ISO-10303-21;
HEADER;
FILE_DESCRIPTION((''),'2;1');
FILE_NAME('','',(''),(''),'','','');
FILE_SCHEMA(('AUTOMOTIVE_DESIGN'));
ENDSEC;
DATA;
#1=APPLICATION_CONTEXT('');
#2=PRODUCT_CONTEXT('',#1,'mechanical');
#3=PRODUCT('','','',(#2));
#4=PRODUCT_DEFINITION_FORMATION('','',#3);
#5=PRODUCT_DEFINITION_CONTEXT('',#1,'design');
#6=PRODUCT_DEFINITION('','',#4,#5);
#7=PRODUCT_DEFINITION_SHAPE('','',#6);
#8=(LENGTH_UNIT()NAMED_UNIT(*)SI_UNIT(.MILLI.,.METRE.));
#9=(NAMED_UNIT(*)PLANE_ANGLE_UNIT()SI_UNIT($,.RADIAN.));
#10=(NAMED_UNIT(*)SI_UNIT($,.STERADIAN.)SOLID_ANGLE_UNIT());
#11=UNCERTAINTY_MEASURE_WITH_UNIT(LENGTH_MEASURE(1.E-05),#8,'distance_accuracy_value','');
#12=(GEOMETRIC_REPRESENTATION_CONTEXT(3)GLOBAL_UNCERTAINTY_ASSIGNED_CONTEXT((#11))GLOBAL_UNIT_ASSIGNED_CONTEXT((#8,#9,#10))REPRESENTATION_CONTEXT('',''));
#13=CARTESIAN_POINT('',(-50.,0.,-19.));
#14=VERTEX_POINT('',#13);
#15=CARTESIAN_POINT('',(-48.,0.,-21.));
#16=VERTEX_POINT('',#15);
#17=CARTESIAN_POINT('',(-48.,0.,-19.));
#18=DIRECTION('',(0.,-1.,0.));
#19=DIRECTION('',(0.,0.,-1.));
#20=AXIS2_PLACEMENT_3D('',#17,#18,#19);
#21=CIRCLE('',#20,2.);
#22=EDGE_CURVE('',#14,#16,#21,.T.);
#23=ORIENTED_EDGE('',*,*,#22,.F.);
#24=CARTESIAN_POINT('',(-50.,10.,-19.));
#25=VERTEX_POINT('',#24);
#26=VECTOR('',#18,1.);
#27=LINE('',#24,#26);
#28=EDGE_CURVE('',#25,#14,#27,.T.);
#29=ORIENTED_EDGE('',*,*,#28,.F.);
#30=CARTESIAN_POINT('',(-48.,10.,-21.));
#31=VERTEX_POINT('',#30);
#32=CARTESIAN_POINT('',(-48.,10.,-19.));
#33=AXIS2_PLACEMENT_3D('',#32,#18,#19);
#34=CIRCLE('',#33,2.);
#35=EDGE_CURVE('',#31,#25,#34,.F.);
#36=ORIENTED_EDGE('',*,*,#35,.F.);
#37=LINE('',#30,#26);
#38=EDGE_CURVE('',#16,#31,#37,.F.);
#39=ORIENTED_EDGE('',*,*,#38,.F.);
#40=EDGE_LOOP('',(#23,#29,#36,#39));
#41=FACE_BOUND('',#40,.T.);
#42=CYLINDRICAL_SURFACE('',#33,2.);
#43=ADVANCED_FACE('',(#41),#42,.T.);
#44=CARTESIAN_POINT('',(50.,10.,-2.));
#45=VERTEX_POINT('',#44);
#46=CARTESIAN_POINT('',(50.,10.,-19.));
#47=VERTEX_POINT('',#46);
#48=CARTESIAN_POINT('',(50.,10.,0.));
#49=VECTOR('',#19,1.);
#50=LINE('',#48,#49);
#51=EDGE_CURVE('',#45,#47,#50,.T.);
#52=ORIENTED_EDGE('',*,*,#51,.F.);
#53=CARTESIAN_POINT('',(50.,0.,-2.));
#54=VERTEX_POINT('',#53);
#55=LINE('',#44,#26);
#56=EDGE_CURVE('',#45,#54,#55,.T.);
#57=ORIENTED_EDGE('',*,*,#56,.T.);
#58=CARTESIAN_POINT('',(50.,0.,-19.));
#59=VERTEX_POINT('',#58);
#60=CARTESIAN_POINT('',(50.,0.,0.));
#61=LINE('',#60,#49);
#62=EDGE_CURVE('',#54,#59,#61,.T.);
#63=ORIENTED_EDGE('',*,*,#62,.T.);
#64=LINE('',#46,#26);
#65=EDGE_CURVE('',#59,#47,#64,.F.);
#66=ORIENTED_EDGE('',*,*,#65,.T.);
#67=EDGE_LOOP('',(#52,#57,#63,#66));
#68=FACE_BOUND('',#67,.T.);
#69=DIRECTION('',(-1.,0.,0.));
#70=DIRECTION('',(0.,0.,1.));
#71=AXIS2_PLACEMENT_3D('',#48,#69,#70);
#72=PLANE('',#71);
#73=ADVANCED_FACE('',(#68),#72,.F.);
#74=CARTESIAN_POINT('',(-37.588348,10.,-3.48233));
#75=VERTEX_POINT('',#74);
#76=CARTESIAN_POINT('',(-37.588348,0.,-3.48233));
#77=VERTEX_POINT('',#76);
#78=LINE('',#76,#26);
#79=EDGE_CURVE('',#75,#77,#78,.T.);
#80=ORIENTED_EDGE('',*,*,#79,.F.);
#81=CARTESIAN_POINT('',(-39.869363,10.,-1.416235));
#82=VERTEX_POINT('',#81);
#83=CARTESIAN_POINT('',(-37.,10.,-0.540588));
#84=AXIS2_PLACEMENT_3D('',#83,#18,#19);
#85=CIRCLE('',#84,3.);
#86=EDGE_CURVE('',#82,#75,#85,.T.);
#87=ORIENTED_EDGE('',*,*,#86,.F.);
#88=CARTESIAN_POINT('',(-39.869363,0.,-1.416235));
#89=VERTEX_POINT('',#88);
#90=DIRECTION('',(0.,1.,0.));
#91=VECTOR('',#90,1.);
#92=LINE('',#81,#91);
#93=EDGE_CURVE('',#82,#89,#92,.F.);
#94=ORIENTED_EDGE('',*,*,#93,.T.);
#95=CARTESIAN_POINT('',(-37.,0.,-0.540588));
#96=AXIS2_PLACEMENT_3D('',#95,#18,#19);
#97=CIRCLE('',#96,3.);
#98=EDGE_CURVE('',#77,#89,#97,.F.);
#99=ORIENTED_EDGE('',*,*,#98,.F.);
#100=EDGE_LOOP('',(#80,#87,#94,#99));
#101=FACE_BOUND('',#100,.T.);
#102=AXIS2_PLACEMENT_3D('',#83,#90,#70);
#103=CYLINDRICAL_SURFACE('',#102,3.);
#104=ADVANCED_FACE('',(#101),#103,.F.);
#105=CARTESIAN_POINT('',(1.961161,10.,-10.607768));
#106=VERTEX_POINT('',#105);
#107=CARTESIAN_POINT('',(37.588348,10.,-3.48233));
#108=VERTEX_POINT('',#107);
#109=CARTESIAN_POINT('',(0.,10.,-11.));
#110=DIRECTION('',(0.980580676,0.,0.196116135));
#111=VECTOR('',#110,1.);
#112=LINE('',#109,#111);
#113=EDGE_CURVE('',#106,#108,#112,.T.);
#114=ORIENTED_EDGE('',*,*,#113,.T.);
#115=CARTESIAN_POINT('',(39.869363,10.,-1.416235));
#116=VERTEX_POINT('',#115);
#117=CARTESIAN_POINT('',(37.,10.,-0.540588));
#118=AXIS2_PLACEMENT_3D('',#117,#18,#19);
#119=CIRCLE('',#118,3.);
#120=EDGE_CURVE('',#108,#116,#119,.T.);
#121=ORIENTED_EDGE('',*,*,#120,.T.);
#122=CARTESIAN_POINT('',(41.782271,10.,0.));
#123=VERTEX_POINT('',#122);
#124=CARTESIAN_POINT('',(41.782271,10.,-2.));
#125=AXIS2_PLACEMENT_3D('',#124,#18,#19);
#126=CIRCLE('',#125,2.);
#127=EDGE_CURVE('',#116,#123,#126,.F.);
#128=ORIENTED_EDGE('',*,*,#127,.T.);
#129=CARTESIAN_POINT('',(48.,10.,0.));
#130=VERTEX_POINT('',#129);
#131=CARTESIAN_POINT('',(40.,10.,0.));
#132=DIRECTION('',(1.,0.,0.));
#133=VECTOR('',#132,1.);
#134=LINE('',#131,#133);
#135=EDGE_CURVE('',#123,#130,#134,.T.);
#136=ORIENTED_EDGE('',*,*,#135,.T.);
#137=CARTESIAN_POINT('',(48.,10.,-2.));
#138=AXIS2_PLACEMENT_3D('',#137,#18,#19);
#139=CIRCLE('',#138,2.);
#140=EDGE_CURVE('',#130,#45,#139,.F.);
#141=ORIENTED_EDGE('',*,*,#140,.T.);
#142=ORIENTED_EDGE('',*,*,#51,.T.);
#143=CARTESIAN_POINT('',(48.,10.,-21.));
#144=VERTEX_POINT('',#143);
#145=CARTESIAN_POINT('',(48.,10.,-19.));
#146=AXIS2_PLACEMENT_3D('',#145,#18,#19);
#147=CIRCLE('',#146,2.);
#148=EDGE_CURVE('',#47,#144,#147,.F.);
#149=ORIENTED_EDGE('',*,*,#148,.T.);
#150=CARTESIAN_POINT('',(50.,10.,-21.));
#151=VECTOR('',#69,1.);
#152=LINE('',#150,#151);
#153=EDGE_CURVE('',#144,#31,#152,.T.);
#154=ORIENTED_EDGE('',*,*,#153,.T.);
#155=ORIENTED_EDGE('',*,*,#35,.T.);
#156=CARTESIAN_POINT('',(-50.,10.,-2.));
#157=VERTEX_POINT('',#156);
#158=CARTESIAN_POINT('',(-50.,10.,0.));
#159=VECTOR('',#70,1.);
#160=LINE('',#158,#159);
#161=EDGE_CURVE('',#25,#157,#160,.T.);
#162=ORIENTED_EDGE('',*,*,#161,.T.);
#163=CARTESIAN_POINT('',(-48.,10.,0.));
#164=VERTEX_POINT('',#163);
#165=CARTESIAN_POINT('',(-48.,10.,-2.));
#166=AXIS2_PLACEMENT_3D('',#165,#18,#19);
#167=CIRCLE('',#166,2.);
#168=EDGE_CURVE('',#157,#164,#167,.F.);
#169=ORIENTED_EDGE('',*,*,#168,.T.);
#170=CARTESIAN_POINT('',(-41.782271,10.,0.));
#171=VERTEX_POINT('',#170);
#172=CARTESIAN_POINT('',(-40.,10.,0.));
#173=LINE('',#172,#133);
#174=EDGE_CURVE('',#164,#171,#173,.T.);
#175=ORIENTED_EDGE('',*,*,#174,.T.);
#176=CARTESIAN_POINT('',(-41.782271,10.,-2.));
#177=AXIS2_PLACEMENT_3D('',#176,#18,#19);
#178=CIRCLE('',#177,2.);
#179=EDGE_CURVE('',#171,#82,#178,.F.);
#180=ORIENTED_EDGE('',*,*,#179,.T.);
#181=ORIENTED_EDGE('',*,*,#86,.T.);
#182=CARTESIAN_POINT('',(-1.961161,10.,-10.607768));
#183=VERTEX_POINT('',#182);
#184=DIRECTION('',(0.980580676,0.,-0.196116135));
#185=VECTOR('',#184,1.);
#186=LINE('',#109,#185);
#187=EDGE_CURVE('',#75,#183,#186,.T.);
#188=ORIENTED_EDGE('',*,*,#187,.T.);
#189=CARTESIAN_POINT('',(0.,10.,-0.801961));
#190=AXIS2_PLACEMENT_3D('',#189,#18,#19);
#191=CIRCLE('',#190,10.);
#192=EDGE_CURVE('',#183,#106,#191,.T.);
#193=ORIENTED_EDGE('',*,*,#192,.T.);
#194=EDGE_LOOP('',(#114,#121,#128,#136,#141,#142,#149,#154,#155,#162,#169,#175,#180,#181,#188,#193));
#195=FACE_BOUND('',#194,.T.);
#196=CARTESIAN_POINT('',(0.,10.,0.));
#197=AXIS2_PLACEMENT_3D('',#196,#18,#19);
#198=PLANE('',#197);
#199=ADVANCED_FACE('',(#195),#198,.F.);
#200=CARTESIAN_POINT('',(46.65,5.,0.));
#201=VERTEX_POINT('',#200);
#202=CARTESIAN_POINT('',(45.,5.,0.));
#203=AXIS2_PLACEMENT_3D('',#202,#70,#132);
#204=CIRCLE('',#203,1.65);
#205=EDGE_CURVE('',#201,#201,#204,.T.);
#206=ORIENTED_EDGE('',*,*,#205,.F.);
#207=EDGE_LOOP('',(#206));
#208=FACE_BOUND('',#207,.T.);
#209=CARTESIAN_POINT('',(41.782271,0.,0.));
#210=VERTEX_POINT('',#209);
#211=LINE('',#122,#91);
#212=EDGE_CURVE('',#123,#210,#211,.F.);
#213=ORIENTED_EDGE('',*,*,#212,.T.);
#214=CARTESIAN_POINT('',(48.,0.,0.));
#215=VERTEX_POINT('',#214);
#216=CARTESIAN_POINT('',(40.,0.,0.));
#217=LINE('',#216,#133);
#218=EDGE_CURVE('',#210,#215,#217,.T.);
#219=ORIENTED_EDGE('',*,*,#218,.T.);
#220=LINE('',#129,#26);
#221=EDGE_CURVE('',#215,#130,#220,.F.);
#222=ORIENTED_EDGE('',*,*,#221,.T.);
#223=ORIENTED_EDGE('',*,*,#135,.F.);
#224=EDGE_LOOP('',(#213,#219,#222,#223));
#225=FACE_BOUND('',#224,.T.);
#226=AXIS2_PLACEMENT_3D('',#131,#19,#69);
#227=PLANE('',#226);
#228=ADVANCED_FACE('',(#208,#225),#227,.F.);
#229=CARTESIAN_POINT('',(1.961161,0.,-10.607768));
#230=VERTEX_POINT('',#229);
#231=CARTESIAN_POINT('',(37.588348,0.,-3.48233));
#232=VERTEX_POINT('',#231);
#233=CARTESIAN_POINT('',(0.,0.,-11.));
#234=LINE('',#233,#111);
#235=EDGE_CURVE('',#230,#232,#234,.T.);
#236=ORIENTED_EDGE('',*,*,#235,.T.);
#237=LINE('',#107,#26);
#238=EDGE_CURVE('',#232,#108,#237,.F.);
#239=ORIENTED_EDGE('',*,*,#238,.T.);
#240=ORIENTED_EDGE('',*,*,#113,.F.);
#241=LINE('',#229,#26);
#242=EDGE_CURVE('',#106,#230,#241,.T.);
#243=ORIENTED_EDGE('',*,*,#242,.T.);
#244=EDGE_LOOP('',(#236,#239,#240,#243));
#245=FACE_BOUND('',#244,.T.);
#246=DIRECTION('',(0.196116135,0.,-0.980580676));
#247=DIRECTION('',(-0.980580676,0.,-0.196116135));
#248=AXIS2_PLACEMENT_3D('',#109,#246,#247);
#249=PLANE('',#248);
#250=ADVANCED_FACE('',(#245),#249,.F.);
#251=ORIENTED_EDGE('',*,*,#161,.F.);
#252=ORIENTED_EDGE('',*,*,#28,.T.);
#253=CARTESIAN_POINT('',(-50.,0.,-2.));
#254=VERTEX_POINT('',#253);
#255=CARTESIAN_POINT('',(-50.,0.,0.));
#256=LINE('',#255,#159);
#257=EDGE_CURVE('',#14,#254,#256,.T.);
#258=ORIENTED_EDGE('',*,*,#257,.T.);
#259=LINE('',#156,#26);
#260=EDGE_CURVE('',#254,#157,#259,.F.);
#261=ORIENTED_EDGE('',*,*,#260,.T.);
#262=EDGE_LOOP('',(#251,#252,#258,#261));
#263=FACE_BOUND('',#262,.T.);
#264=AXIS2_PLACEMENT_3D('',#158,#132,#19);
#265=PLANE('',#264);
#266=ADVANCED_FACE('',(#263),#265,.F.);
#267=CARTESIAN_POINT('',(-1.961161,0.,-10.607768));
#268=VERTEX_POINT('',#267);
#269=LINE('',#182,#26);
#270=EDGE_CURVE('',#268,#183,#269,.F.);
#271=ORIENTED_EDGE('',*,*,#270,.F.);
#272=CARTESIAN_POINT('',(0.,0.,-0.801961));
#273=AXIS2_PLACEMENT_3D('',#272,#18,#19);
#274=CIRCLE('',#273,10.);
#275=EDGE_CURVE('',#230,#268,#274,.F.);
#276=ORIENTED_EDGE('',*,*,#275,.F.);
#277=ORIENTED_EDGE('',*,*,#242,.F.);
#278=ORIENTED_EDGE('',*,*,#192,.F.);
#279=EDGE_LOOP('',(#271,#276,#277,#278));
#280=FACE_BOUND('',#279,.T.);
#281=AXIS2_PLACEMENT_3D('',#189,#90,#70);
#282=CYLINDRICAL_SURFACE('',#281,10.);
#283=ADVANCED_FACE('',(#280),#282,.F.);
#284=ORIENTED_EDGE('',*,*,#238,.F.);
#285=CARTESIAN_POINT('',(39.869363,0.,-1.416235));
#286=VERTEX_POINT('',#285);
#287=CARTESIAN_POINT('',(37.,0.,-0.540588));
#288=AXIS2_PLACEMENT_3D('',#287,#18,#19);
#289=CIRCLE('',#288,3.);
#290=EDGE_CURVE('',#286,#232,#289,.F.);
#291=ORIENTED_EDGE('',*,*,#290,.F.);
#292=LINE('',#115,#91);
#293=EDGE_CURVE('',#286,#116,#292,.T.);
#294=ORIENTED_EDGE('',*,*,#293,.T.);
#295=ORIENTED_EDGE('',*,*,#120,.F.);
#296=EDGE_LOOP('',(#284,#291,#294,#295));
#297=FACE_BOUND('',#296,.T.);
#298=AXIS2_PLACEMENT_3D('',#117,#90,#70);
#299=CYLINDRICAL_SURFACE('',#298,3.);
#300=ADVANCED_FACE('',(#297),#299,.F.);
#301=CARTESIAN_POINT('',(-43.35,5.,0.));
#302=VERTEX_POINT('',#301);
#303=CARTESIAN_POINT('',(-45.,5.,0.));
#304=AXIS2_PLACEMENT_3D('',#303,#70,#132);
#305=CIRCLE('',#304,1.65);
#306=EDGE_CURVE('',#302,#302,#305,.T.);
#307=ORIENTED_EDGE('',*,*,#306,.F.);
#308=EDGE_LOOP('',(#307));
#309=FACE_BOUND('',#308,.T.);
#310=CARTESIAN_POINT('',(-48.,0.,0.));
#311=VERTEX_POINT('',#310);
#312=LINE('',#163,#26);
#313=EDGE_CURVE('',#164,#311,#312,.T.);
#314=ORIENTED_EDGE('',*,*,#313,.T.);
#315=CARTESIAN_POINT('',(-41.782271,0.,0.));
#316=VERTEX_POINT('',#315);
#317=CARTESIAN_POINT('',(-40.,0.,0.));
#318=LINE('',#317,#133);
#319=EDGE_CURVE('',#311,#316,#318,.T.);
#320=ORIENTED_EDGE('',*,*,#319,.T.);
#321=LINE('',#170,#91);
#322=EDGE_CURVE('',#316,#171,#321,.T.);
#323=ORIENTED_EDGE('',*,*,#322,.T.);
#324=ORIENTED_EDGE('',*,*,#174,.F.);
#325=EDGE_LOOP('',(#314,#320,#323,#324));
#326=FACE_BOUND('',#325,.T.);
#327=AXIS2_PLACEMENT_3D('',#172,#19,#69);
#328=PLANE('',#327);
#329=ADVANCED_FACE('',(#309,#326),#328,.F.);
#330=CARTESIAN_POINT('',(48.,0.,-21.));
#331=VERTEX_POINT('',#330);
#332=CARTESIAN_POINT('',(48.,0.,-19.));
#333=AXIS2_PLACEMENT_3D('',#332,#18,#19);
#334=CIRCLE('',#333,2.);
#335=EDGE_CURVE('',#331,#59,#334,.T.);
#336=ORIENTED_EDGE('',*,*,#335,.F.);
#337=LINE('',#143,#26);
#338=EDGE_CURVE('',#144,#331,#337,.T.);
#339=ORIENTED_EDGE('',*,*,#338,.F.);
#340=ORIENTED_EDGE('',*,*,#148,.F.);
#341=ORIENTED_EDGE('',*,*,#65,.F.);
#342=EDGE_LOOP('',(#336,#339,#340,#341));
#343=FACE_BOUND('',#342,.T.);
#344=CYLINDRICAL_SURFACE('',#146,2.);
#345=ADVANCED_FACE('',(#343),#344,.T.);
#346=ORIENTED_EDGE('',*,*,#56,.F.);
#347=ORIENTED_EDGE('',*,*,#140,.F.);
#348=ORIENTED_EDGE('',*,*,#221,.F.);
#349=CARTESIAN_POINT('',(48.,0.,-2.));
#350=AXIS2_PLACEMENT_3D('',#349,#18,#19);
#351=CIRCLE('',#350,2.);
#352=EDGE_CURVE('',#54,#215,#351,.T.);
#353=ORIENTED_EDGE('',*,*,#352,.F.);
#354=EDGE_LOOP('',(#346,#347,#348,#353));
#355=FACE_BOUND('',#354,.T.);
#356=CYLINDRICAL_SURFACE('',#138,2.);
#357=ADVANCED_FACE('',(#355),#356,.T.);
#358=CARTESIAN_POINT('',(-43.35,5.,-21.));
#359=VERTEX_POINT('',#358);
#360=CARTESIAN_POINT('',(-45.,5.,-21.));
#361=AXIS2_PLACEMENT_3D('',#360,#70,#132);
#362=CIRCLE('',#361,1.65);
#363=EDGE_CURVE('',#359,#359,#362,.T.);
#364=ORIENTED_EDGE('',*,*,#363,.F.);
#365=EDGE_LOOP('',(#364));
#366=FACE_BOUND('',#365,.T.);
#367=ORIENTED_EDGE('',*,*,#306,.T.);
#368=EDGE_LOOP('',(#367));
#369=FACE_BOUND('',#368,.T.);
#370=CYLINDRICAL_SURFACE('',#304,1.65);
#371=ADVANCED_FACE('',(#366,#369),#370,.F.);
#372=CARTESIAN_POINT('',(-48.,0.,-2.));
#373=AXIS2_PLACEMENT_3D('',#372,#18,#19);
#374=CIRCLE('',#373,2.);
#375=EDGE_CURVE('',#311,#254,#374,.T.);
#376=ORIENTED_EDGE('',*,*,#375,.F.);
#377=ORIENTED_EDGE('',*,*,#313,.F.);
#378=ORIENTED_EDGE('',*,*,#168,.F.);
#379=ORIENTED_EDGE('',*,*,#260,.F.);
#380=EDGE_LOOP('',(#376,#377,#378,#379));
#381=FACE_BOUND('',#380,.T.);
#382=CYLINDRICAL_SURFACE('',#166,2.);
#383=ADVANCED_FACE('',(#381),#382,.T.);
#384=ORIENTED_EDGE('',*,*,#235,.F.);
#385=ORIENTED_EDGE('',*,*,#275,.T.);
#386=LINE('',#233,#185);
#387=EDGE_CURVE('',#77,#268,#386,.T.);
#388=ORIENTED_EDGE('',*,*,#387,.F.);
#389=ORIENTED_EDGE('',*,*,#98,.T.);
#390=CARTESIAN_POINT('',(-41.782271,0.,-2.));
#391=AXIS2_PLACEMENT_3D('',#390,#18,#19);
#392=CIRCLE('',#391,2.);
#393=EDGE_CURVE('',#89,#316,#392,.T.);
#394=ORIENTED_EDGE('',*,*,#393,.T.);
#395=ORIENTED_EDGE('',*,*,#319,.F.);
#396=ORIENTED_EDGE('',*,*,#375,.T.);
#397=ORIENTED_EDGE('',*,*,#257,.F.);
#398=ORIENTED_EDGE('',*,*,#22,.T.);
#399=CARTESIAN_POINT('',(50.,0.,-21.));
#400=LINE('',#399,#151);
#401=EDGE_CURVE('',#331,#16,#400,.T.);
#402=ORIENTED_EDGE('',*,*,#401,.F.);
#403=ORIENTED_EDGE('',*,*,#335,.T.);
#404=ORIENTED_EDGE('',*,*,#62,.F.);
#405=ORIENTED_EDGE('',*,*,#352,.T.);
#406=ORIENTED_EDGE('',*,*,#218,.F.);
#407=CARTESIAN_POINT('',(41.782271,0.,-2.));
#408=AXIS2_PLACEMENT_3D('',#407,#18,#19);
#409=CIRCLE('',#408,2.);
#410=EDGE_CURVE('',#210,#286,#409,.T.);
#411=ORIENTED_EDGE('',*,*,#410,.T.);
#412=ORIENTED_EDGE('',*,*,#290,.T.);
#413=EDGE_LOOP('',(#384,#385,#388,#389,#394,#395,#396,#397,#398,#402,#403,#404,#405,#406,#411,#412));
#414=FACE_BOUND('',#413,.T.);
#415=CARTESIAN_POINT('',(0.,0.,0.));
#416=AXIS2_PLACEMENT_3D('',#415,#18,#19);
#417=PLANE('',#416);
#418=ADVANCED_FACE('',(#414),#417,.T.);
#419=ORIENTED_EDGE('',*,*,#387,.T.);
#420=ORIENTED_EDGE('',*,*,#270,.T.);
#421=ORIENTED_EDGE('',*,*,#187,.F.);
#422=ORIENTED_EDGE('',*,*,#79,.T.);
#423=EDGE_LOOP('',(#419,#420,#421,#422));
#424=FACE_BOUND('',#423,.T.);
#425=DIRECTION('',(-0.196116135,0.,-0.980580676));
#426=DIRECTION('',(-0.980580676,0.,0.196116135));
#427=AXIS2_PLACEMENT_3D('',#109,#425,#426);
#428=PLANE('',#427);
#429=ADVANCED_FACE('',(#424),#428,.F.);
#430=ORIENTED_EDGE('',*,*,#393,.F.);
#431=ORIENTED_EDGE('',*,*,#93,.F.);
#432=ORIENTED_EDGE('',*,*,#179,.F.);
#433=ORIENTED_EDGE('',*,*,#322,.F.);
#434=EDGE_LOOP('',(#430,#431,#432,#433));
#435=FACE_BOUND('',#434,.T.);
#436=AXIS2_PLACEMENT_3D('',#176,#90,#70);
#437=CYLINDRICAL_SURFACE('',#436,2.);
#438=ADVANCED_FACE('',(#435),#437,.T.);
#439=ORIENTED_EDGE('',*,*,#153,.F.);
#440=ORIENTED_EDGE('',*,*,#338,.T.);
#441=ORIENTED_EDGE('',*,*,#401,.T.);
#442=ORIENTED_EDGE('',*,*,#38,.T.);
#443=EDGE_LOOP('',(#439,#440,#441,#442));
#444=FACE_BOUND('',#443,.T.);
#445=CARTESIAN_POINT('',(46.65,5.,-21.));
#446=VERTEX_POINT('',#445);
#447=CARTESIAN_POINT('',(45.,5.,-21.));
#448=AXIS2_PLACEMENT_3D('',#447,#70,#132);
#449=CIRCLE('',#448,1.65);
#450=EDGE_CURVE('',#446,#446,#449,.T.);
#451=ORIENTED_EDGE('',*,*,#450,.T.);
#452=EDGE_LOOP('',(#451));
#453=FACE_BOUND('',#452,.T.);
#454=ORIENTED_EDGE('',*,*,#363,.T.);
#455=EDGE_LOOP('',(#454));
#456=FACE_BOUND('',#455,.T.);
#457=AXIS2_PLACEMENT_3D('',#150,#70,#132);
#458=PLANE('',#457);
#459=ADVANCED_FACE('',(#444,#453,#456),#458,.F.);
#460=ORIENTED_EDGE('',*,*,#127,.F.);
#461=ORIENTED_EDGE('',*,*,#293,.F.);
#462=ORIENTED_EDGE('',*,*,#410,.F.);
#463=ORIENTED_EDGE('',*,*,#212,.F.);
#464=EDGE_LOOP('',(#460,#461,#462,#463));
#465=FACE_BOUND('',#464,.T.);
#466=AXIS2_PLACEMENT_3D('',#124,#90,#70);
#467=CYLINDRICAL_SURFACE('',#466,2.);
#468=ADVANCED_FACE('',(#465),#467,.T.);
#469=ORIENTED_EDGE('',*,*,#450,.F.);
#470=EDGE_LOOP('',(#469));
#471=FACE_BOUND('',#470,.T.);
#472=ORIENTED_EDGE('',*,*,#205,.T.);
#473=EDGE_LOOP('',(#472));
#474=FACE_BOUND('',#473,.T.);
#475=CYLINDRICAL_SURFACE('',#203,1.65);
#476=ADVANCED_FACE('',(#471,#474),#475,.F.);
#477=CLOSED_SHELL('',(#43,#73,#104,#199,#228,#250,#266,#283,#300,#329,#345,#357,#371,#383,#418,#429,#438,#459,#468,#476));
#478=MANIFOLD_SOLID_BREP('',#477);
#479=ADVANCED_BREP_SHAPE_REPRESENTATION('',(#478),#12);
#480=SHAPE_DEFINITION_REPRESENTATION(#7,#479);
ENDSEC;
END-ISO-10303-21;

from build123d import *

# Parameters (mm, degrees)
EXTRUDE_1_DEPTH = 10
FILLET_1_R      = 3
FILLET_2_R      = 10
M4X0_71_D       = 3.3
FILLET_3_R      = 2


with BuildPart() as part:
    # Эскиз1 → Бобышка-Вытянуть1 (new body)
    with BuildSketch(Plane(origin=(0, 0, 0), x_dir=(1, 0, 0), z_dir=(0, 1, 0))):
        Polygon((0, 11), (-40, 3), (-40, 0), (-50, 0), (-50, 21), (50, 21), (50, 0), (40, 0), (40, 3), align=None)
    extrude(amount=EXTRUDE_1_DEPTH)

    # Скругление1
    fillet_1_edges = [part.edges().sort_by_distance(p)[0] for p in [
        (-40, 5, -3),
        (40, 5, -3),
    ]]
    fillet(fillet_1_edges, radius=FILLET_1_R)

    # Скругление2
    fillet_2_edges = [part.edges().sort_by_distance(p)[0] for p in [
        (0, 5, -11),
    ]]
    fillet(fillet_2_edges, radius=FILLET_2_R)

    # Отверстие обработанное метчиком M4x0.71 (through all)
    with Locations(Plane.XY):
        with Locations((-45, 5), (45, 5)):
            Hole(M4X0_71_D / 2)

    # Скругление3
    fillet_3_edges = [part.edges().sort_by_distance(p)[0] for p in [
        (40, 5, 0),
        (50, 5, 0),
        (50, 5, -21),
        (-50, 5, -21),
        (-50, 5, 0),
        (-40, 5, 0),
    ]]
    fillet(fillet_3_edges, radius=FILLET_3_R)


solid = part.part
